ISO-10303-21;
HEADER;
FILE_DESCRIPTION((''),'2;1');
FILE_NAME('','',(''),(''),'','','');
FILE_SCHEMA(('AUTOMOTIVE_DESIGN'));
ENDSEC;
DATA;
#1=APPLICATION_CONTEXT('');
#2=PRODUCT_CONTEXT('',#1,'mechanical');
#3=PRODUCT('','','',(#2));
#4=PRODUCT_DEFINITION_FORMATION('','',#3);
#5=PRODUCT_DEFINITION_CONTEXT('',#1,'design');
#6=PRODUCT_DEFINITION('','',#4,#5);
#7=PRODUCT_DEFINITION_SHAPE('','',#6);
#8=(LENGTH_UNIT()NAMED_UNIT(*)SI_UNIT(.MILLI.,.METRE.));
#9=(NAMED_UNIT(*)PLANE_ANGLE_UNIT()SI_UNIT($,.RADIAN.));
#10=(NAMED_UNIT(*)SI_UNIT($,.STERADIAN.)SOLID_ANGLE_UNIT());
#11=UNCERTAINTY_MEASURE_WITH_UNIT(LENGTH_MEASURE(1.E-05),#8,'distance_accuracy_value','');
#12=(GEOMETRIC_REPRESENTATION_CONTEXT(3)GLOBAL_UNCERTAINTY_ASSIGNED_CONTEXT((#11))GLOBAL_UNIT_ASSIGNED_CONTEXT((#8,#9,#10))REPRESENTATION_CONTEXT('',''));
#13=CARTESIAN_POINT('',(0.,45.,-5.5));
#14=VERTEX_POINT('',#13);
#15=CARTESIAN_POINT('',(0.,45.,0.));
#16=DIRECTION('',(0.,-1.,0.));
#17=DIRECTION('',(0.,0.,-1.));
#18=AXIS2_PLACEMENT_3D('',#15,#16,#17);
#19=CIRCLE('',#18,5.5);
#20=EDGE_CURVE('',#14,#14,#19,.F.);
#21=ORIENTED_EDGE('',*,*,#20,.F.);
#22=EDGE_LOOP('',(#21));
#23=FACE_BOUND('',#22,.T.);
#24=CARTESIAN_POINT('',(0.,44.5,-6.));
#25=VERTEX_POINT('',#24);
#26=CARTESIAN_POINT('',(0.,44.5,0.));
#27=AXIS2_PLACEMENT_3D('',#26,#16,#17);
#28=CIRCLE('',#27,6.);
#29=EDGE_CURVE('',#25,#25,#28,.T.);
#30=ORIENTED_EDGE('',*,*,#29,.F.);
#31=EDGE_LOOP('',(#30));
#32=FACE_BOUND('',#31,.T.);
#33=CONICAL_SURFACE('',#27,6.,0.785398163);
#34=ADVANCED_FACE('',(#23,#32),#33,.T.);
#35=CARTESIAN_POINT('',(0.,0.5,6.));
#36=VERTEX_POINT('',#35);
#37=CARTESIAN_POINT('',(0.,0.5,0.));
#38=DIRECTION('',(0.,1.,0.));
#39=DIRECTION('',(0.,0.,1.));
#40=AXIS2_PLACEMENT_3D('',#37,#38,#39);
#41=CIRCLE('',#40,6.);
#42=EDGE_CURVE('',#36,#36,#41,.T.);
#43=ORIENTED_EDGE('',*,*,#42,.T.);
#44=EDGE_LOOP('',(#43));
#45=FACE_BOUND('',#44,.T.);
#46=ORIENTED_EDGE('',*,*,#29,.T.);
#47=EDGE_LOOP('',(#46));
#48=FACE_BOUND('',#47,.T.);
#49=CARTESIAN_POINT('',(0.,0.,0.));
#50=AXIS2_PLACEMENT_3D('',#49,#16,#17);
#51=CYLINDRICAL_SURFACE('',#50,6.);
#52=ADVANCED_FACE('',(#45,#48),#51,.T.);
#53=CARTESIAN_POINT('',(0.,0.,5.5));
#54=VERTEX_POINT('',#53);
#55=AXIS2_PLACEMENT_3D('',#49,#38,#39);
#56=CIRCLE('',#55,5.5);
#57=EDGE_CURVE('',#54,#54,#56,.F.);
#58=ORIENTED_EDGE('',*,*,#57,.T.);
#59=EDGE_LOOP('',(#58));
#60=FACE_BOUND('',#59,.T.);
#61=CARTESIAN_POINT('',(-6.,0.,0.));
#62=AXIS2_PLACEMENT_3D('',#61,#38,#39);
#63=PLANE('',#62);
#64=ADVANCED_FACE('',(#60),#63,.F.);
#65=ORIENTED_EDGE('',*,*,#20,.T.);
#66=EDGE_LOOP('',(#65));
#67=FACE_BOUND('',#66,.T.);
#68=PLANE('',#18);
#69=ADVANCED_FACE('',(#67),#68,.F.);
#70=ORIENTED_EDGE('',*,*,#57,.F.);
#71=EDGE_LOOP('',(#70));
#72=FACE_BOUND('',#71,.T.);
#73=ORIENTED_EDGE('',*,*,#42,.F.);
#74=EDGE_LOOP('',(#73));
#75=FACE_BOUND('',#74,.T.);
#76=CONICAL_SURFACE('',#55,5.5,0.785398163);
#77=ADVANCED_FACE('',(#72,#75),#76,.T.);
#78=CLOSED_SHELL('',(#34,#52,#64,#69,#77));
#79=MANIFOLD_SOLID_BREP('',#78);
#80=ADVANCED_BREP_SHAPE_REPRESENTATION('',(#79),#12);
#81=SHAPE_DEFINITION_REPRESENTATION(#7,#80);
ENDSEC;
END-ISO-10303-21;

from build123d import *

# Parameters (mm, degrees)
SKETCH1_W     = 6
SKETCH1_H     = 45
CHAMFER1_SIZE = 0.5


with BuildPart() as part:
    # Sketch1 → Revolve1 (revolve)
    with BuildSketch(Plane.XY, mode=Mode.PRIVATE) as revolve1_sk:
        with Locations((-3, 22.5)):
            Rectangle(SKETCH1_W, SKETCH1_H)
    revolve(revolve1_sk.sketch.rotate(Axis((0, 0, 0), (0, 1, 0)), 270), axis=Axis((0, 0, 0), (0, 1, 0)))

    # Chamfer1
    chamfer1_edges = [part.edges().sort_by_distance(p)[0] for p in [
        (0, 0, 6),
        (0, 45, 6),
    ]]
    chamfer(chamfer1_edges, length=CHAMFER1_SIZE)


solid = part.part
